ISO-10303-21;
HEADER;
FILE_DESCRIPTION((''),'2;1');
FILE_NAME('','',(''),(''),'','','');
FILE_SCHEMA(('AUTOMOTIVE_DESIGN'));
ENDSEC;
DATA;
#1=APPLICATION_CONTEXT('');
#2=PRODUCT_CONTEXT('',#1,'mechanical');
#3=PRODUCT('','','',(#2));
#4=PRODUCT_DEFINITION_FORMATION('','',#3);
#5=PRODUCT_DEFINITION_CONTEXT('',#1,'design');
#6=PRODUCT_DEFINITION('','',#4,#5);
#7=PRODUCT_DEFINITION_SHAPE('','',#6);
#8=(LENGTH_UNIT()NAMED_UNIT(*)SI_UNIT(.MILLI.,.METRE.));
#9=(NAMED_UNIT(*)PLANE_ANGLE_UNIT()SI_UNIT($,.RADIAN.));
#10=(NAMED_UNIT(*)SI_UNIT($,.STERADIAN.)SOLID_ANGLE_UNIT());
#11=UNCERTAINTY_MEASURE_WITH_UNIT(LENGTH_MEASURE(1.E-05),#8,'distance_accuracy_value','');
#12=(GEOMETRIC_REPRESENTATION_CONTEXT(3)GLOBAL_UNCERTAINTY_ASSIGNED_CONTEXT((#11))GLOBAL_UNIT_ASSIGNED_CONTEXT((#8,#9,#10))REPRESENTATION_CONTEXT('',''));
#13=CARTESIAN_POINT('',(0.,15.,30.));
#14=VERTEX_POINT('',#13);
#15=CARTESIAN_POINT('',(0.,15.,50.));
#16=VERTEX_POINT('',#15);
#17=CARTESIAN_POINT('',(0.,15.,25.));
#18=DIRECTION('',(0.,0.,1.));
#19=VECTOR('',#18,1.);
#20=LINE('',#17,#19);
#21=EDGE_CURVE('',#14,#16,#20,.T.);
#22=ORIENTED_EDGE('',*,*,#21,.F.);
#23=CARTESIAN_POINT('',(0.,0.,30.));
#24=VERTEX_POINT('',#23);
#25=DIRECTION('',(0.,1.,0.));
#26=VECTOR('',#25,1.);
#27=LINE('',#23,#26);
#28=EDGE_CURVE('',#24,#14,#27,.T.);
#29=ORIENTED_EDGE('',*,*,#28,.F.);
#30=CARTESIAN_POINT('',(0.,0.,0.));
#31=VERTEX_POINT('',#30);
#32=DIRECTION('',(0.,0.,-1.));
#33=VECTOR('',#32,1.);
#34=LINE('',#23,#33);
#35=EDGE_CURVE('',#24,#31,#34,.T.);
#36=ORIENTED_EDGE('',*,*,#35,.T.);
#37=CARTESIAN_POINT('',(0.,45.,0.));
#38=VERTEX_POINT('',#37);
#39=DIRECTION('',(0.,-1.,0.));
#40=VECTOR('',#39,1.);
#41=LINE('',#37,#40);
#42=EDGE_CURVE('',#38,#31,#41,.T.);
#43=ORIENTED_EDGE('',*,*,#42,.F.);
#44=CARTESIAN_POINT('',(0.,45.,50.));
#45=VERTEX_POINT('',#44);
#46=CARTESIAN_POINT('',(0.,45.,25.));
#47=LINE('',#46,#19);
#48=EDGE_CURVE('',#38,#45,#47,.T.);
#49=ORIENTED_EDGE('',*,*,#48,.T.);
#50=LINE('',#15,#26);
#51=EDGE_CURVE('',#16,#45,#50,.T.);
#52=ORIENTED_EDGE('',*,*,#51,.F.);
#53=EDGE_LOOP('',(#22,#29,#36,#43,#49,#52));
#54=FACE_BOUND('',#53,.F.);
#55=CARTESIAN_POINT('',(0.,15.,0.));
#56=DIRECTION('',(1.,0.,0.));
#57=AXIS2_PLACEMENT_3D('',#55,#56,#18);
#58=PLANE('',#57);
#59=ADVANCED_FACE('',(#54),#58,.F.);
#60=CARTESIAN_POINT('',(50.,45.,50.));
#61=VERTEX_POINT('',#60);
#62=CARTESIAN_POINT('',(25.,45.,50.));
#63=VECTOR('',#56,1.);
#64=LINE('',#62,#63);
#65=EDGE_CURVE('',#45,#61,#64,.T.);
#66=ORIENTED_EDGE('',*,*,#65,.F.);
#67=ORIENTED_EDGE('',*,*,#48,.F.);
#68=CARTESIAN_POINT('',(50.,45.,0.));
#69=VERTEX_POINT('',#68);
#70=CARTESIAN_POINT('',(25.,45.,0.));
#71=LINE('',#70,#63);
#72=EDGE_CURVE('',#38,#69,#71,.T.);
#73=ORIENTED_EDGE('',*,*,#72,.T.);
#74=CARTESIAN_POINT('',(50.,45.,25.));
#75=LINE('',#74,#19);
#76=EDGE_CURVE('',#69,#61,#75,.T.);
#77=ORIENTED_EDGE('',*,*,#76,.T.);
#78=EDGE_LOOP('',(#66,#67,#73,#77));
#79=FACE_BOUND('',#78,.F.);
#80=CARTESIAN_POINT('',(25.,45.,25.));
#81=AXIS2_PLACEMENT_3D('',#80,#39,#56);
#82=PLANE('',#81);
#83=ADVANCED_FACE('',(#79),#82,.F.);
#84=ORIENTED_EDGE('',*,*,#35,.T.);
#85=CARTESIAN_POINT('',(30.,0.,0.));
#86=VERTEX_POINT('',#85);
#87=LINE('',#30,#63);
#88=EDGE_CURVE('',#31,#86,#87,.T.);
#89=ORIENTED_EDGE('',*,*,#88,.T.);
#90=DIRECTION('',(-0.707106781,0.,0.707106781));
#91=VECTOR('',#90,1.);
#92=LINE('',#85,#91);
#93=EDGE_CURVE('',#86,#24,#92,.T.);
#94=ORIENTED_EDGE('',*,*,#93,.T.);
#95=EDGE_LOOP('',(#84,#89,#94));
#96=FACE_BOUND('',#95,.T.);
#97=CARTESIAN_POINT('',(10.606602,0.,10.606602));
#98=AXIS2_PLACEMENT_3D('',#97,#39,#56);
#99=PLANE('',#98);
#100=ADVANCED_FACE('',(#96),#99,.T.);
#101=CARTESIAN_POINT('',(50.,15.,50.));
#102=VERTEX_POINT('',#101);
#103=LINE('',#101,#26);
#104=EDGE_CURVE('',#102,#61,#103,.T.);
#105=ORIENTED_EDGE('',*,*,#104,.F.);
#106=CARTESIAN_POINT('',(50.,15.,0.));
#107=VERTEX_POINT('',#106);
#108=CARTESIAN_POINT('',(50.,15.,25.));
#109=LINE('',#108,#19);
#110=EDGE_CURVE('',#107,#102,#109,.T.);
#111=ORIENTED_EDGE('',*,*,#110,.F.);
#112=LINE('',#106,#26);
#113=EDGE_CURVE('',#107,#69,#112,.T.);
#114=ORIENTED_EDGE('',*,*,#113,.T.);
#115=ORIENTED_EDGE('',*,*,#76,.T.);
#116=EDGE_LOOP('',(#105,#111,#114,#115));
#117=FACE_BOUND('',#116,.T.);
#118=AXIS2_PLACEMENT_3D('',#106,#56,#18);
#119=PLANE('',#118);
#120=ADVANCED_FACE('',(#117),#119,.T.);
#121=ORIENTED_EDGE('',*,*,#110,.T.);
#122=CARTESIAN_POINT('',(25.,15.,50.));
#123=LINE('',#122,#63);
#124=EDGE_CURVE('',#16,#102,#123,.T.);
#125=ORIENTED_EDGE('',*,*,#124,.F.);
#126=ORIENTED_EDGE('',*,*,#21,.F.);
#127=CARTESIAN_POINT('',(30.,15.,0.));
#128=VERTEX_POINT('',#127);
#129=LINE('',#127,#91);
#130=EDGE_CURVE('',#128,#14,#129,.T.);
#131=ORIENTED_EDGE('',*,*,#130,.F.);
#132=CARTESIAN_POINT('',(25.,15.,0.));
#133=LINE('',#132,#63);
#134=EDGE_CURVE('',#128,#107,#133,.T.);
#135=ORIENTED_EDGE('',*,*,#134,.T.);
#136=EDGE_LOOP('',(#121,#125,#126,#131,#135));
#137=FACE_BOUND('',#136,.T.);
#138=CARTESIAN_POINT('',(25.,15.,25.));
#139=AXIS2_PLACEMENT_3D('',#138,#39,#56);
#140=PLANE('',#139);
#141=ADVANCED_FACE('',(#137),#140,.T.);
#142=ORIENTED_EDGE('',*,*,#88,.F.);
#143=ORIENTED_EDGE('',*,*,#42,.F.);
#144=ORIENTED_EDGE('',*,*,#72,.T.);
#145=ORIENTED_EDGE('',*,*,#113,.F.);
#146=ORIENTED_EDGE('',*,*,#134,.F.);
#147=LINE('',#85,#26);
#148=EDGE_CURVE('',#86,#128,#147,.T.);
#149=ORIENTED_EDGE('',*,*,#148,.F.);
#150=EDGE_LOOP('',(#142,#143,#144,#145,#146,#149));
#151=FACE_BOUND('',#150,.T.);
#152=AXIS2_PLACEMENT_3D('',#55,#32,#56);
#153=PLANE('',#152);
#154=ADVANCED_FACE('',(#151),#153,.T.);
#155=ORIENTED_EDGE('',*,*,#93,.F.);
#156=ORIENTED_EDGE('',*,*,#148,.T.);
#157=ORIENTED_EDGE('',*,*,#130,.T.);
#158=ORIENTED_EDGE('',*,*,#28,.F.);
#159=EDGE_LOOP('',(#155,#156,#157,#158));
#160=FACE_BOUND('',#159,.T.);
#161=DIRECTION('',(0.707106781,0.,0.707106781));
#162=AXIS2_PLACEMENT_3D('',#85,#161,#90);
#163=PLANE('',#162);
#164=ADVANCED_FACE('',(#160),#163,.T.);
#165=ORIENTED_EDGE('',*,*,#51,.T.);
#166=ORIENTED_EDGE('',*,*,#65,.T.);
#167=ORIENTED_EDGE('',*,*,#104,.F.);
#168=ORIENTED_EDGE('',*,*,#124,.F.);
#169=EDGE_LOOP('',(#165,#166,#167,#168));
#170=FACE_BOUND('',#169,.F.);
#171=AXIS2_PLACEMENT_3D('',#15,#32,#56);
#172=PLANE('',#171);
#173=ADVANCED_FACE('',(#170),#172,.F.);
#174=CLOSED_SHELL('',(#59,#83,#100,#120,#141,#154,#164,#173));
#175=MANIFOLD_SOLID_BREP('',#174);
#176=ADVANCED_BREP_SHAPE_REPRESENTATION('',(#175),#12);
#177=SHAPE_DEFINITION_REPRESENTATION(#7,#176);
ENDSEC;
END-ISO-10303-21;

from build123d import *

# Parameters (mm, degrees)
F1_DEPTH = 15
F3_W     = 50
F3_H     = 50
F4_DEPTH = 30
F5_R     = 5
F6_DEPTH = 50


with BuildPart() as f1:
    # F0 (on Front) → F1 (new body)
    with BuildSketch(Plane.XZ):
        Polygon((0, 30), (0, 0), (30, 0), align=None)
    extrude(amount=-F1_DEPTH)

    # F3 (on offset) → F4 (join)
    with BuildSketch(Plane.XZ.offset(-15)):
        with Locations((25, 25)):
            Rectangle(F3_W, F3_H)
    extrude(amount=-F4_DEPTH)

    # F5 (on face) → F6 (join, through all)
    with BuildSketch(Plane.XY.offset(50)):
        with Locations((15, 30)):
            Circle(F5_R)
    extrude(amount=-F6_DEPTH)


solid = f1.part
